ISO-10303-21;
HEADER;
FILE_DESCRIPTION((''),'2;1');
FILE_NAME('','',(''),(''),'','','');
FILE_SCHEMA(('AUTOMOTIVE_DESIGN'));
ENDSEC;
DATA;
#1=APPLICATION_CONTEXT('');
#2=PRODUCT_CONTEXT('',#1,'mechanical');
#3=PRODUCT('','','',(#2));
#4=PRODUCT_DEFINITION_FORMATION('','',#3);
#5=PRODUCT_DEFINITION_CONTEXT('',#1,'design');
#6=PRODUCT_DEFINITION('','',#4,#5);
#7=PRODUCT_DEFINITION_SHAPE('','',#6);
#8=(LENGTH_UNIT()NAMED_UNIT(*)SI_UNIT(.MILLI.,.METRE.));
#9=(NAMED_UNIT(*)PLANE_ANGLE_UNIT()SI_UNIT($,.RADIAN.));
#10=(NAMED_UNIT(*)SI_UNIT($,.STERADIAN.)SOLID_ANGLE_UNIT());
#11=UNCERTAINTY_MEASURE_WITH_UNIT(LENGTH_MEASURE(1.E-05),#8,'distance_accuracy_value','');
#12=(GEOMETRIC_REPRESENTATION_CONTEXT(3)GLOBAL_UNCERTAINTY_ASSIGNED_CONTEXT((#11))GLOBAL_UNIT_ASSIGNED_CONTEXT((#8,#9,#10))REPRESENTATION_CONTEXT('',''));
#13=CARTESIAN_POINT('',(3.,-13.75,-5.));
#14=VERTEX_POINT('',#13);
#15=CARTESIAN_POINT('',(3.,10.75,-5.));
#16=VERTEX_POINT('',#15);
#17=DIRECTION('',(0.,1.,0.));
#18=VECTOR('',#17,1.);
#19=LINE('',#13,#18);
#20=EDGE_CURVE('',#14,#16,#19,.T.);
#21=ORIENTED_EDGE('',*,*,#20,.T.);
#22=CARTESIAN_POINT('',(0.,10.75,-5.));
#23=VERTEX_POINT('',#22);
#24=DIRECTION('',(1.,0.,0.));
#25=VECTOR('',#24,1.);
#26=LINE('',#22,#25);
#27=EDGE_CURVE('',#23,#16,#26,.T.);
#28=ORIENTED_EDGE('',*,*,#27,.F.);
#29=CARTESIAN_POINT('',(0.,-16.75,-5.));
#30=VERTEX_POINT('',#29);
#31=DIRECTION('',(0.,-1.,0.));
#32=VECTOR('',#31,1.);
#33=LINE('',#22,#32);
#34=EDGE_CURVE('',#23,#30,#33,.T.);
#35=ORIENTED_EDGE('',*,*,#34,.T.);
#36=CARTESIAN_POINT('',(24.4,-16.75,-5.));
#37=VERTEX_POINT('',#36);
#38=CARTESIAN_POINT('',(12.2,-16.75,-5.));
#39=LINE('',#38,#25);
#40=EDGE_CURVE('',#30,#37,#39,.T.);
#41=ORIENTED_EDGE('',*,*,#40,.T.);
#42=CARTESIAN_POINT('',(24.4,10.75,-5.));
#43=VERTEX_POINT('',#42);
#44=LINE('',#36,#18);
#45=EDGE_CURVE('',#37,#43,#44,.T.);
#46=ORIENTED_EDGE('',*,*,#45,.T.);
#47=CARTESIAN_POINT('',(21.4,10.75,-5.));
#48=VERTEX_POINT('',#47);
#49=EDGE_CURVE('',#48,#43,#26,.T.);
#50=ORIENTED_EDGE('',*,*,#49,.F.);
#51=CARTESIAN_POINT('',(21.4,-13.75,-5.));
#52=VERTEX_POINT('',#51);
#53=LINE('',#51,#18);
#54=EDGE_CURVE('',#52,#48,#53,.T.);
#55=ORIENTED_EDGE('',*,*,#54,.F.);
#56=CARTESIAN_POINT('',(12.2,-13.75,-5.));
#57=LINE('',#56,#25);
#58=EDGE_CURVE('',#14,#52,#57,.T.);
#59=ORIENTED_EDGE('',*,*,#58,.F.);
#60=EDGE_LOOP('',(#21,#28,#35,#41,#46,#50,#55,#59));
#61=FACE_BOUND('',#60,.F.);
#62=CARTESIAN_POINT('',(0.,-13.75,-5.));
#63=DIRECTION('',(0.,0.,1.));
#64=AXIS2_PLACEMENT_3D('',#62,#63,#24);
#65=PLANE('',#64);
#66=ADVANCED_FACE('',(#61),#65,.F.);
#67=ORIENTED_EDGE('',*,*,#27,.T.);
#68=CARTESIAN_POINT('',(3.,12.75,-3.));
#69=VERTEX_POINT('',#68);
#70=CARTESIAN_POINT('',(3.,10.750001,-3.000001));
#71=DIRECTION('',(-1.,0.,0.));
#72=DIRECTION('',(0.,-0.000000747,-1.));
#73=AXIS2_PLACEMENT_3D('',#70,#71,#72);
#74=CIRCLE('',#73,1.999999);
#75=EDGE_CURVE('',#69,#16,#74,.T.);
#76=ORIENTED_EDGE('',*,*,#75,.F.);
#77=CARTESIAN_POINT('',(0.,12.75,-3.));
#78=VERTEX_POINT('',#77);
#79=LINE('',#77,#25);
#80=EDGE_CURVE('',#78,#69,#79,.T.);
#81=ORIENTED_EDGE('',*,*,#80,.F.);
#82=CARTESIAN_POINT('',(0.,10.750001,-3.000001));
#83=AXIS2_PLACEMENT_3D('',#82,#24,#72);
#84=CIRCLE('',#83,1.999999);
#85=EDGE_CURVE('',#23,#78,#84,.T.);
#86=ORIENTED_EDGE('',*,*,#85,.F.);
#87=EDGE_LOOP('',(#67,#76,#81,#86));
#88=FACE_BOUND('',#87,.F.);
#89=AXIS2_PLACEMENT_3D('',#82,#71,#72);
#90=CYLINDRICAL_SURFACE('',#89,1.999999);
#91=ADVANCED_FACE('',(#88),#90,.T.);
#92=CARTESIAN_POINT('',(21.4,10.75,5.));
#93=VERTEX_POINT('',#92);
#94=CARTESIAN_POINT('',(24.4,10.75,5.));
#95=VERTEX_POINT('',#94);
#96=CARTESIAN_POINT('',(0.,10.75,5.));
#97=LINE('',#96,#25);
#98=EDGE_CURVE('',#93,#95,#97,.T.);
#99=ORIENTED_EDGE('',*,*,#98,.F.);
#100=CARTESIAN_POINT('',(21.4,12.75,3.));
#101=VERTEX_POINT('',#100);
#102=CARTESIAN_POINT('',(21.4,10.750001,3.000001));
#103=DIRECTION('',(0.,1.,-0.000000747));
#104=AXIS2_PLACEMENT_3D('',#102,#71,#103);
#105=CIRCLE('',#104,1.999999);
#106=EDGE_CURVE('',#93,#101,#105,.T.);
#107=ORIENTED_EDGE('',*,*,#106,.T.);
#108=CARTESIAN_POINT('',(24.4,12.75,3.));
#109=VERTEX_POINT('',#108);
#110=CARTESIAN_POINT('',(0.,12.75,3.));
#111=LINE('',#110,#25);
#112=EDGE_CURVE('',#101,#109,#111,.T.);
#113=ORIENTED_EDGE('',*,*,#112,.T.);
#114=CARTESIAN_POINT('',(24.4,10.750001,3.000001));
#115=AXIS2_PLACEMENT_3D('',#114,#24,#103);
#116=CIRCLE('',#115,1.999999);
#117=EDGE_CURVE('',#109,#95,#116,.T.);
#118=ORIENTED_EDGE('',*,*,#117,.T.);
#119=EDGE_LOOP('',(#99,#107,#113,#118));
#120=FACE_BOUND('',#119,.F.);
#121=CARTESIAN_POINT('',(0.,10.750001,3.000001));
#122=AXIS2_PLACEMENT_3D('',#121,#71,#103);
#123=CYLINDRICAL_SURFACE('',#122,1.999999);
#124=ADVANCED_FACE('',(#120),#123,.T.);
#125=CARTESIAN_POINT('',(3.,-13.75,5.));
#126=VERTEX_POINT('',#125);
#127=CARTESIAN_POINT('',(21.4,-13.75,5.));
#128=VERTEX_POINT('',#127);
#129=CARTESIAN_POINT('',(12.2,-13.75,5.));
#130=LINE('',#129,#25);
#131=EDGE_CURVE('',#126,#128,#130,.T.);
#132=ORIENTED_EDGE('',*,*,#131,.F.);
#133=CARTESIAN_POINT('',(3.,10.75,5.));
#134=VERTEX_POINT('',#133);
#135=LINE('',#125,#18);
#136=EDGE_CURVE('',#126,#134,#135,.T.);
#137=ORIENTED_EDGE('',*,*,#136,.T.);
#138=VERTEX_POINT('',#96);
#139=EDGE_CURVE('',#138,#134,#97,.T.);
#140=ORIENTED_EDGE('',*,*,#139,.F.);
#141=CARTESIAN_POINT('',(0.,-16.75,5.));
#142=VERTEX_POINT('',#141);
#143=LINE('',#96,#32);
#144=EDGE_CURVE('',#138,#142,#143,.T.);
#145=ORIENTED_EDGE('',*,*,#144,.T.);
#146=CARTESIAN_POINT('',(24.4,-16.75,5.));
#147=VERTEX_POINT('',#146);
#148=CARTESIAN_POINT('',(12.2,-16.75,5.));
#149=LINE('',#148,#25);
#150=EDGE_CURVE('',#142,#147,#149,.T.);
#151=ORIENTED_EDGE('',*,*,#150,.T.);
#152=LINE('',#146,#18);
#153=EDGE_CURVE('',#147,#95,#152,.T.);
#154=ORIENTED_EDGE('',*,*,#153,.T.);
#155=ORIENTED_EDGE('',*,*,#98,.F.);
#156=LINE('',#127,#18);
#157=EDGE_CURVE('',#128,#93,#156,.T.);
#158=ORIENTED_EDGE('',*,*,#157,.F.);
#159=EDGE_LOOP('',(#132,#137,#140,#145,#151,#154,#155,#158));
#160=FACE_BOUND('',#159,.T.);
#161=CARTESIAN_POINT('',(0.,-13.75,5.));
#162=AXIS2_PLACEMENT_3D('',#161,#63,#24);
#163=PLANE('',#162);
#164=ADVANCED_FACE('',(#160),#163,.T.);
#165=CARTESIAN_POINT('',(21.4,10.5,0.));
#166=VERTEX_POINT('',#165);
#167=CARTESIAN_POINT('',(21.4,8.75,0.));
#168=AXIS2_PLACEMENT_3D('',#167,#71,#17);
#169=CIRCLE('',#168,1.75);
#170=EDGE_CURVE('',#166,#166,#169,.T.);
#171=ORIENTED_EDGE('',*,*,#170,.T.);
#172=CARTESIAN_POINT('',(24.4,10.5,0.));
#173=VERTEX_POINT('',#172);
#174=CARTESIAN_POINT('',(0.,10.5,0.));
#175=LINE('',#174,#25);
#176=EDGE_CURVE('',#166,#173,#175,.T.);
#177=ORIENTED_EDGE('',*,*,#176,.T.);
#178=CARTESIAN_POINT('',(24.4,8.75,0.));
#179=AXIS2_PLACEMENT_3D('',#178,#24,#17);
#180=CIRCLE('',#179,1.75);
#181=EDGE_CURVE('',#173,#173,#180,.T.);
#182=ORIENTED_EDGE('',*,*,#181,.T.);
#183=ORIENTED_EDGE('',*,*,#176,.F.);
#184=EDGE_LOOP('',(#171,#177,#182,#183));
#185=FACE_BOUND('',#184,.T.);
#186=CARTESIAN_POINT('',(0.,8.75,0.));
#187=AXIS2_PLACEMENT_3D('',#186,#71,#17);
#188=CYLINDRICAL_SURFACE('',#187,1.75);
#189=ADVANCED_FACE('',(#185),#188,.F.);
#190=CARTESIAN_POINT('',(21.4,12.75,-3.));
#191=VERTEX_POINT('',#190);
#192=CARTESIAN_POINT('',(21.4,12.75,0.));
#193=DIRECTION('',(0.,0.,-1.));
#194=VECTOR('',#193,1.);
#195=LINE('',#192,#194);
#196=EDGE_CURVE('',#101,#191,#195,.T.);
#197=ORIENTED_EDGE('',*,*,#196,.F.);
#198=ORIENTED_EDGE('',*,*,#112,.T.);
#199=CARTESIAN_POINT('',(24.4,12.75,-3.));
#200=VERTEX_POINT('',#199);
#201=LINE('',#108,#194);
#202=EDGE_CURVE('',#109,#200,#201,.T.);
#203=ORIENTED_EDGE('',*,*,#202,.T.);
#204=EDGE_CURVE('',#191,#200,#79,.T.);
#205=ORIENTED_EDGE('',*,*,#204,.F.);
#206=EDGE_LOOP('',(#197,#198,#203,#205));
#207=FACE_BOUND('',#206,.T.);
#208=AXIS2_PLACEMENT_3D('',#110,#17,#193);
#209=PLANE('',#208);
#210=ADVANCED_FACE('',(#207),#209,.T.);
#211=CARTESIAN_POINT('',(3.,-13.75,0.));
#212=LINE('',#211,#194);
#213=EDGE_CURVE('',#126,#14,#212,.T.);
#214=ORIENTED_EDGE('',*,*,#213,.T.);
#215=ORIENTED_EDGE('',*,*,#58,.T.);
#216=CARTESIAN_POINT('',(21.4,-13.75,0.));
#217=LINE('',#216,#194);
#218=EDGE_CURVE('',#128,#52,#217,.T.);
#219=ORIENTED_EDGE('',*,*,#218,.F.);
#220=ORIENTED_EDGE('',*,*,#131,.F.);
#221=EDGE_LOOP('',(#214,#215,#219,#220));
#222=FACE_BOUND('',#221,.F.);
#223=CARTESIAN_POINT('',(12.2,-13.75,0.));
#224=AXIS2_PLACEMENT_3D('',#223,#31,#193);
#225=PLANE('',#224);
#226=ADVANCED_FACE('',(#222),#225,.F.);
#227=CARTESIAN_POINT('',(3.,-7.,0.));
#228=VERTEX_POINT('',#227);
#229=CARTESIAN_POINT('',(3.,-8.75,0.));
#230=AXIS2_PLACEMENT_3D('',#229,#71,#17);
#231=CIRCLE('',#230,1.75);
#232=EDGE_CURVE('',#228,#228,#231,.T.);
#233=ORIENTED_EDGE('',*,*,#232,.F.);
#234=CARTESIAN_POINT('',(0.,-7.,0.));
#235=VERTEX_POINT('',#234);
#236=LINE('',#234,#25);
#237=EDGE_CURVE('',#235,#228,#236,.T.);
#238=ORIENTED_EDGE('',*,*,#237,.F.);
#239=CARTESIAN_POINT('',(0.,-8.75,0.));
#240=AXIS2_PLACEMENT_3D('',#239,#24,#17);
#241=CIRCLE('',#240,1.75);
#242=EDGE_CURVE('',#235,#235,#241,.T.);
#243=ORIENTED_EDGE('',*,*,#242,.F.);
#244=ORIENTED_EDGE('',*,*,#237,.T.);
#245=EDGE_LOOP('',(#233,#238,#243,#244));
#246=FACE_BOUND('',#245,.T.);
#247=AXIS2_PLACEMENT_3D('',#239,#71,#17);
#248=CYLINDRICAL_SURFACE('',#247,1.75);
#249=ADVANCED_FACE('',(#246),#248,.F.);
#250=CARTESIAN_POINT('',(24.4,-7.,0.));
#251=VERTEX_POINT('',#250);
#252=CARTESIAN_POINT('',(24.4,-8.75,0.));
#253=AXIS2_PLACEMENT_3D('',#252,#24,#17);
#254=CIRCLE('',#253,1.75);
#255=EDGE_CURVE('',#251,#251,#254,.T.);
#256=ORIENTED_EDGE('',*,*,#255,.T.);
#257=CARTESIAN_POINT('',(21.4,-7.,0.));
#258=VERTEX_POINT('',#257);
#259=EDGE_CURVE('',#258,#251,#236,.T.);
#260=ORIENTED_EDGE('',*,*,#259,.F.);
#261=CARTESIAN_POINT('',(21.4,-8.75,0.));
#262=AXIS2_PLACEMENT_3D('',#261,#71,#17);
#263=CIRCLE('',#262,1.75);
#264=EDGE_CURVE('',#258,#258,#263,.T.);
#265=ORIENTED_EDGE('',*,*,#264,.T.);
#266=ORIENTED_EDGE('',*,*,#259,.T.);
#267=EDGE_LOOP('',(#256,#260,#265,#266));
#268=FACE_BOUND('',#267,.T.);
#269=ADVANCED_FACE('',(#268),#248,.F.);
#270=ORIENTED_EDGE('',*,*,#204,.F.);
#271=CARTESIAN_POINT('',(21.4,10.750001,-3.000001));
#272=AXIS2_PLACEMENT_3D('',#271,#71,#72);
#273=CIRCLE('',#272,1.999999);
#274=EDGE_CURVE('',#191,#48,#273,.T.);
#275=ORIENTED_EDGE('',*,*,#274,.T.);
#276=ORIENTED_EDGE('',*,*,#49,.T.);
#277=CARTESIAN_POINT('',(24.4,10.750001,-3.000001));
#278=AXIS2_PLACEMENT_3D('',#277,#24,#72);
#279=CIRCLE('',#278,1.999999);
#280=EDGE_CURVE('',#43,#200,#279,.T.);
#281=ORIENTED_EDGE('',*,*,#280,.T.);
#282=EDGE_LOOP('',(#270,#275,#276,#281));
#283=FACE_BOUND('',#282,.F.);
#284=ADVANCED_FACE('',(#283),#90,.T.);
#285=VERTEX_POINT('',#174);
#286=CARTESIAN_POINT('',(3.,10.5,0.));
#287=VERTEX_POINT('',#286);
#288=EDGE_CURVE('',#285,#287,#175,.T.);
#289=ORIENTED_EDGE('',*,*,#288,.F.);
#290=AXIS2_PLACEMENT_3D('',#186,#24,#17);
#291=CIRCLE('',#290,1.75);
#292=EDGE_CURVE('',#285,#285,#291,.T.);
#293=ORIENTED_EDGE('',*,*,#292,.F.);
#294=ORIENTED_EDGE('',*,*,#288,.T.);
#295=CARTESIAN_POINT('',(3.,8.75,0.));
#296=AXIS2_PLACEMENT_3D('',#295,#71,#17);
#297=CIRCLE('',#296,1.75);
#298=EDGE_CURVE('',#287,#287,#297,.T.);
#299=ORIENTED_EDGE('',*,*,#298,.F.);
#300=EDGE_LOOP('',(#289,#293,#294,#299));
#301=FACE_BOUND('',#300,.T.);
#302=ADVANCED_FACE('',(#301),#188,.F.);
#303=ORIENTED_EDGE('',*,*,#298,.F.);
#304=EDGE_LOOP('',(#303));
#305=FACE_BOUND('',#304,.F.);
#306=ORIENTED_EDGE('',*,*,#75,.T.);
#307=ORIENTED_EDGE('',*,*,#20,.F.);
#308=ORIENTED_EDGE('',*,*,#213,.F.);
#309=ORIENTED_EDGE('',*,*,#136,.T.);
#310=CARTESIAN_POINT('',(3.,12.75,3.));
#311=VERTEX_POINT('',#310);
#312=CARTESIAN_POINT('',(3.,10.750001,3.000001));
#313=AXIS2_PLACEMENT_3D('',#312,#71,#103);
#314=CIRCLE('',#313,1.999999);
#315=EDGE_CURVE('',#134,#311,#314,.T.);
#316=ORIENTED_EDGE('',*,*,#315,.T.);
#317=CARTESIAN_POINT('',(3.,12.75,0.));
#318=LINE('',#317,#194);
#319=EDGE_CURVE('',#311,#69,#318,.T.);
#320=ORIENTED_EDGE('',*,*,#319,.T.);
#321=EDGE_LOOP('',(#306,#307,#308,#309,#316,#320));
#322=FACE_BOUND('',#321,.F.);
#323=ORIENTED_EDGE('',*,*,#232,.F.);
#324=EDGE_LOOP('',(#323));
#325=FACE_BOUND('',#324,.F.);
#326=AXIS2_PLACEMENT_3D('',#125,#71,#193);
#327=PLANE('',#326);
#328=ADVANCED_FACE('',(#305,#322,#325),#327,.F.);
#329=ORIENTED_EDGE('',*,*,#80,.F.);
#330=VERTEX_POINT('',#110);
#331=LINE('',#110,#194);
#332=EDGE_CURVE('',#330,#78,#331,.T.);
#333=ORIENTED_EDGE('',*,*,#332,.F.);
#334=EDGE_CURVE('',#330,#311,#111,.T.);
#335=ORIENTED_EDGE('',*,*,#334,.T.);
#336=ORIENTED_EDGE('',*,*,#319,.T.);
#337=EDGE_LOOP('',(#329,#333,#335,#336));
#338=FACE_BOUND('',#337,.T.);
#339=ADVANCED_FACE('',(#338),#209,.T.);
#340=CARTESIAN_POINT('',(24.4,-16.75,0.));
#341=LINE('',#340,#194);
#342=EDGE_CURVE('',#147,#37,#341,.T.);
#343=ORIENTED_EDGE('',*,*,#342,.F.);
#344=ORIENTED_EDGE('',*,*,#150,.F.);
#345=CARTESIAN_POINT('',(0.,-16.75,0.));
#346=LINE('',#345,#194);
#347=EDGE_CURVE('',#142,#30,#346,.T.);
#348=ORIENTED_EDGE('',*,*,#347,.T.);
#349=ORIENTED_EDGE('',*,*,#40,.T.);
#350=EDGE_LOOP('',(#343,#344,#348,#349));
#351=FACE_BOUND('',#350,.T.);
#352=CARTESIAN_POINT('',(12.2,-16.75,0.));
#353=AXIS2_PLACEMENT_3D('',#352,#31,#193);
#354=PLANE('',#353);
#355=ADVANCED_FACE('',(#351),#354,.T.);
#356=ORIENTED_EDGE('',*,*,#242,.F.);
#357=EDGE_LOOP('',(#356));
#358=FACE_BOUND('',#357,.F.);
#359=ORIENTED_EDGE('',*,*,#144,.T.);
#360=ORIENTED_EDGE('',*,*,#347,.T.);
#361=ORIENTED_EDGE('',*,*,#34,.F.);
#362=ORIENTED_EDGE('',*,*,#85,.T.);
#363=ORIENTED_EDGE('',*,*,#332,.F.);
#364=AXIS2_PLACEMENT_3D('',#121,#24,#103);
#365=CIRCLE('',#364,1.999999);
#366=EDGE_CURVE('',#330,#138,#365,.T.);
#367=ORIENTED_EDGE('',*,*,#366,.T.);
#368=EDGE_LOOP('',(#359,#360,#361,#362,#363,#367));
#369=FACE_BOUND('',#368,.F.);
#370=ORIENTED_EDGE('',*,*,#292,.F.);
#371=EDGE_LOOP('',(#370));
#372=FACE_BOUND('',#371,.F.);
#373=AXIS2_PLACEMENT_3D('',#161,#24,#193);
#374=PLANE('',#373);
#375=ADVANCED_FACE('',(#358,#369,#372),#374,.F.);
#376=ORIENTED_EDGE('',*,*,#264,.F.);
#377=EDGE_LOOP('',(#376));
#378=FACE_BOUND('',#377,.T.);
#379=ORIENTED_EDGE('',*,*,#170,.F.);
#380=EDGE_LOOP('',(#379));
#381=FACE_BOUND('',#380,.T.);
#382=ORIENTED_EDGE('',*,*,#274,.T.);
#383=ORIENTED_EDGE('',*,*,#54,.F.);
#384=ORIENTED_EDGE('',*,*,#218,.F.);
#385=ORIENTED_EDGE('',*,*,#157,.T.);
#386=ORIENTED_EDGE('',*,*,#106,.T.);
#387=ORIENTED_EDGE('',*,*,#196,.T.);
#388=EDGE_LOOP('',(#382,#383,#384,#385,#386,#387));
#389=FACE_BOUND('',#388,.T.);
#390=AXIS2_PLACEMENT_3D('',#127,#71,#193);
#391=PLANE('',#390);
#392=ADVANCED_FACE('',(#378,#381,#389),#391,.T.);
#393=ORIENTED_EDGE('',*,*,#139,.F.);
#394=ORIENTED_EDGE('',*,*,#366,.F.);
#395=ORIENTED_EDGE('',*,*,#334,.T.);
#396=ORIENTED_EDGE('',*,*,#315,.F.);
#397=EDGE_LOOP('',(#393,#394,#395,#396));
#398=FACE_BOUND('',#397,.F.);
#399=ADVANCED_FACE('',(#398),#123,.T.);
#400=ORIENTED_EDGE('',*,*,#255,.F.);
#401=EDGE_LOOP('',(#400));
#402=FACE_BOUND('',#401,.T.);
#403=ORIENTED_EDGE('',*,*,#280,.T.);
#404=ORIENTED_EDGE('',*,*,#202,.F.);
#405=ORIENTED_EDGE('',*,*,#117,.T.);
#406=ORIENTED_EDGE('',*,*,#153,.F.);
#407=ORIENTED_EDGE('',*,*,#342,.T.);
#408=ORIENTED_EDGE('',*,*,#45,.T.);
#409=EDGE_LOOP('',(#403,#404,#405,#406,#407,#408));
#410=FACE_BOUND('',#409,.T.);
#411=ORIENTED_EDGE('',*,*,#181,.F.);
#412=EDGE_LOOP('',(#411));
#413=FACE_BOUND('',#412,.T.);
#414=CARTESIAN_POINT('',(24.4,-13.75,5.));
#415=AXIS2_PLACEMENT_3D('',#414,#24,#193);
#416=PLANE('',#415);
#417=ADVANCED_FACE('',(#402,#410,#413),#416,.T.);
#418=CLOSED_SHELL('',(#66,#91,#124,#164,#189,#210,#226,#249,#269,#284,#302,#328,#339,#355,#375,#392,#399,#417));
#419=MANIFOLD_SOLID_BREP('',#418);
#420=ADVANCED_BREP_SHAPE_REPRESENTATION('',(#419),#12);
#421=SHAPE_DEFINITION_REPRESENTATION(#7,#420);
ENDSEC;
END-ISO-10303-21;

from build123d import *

# Parameters (mm, degrees)
SKETCH_R     = 1.75
PAD_DEPTH    = 24.4
SKETCH001_W  = 10
SKETCH001_H  = 18.4
POCKET_DEPTH = 26.5
SKETCH002_W  = 10
SKETCH002_H  = 24.4
PAD001_DEPTH = 3


with BuildPart() as part:
    # Sketch → Pad (new body)
    with BuildSketch(Plane.YZ):
        with BuildLine():
            Line((-13.75, 5), (10.75, 5))
            ThreePointArc((12.75, 3), (12.164214, 4.414214), (10.75, 5))
            Line((12.75, 3), (12.75, -3))
            ThreePointArc((10.75, -5), (12.164214, -4.414214), (12.75, -3))
            Line((10.75, -5), (-13.75, -5))
            Line((-13.75, -5), (-13.75, 5))
        make_face()
        with Locations((-8.75, 0)):
            Circle(SKETCH_R, mode=Mode.SUBTRACT)
        with Locations((8.75, 0)):
            Circle(SKETCH_R, mode=Mode.SUBTRACT)
    extrude(amount=PAD_DEPTH)

    # Sketch001 → Pocket (cut)
    with BuildSketch(Plane(origin=(0, -13.75, 0), x_dir=(0, 0, -1), z_dir=(0, -1, 0))):
        with Locations((0, 12.2)):
            Rectangle(SKETCH001_W, SKETCH001_H)
    extrude(amount=-POCKET_DEPTH, mode=Mode.SUBTRACT)

    # Sketch002 → Pad001 (new body)
    with BuildSketch(Plane(origin=(0, -13.75, 0), x_dir=(0, 0, -1), z_dir=(0, -1, 0))):
        with Locations((0, 12.2)):
            Rectangle(SKETCH002_W, SKETCH002_H)
    extrude(amount=PAD001_DEPTH)


solid = part.part
